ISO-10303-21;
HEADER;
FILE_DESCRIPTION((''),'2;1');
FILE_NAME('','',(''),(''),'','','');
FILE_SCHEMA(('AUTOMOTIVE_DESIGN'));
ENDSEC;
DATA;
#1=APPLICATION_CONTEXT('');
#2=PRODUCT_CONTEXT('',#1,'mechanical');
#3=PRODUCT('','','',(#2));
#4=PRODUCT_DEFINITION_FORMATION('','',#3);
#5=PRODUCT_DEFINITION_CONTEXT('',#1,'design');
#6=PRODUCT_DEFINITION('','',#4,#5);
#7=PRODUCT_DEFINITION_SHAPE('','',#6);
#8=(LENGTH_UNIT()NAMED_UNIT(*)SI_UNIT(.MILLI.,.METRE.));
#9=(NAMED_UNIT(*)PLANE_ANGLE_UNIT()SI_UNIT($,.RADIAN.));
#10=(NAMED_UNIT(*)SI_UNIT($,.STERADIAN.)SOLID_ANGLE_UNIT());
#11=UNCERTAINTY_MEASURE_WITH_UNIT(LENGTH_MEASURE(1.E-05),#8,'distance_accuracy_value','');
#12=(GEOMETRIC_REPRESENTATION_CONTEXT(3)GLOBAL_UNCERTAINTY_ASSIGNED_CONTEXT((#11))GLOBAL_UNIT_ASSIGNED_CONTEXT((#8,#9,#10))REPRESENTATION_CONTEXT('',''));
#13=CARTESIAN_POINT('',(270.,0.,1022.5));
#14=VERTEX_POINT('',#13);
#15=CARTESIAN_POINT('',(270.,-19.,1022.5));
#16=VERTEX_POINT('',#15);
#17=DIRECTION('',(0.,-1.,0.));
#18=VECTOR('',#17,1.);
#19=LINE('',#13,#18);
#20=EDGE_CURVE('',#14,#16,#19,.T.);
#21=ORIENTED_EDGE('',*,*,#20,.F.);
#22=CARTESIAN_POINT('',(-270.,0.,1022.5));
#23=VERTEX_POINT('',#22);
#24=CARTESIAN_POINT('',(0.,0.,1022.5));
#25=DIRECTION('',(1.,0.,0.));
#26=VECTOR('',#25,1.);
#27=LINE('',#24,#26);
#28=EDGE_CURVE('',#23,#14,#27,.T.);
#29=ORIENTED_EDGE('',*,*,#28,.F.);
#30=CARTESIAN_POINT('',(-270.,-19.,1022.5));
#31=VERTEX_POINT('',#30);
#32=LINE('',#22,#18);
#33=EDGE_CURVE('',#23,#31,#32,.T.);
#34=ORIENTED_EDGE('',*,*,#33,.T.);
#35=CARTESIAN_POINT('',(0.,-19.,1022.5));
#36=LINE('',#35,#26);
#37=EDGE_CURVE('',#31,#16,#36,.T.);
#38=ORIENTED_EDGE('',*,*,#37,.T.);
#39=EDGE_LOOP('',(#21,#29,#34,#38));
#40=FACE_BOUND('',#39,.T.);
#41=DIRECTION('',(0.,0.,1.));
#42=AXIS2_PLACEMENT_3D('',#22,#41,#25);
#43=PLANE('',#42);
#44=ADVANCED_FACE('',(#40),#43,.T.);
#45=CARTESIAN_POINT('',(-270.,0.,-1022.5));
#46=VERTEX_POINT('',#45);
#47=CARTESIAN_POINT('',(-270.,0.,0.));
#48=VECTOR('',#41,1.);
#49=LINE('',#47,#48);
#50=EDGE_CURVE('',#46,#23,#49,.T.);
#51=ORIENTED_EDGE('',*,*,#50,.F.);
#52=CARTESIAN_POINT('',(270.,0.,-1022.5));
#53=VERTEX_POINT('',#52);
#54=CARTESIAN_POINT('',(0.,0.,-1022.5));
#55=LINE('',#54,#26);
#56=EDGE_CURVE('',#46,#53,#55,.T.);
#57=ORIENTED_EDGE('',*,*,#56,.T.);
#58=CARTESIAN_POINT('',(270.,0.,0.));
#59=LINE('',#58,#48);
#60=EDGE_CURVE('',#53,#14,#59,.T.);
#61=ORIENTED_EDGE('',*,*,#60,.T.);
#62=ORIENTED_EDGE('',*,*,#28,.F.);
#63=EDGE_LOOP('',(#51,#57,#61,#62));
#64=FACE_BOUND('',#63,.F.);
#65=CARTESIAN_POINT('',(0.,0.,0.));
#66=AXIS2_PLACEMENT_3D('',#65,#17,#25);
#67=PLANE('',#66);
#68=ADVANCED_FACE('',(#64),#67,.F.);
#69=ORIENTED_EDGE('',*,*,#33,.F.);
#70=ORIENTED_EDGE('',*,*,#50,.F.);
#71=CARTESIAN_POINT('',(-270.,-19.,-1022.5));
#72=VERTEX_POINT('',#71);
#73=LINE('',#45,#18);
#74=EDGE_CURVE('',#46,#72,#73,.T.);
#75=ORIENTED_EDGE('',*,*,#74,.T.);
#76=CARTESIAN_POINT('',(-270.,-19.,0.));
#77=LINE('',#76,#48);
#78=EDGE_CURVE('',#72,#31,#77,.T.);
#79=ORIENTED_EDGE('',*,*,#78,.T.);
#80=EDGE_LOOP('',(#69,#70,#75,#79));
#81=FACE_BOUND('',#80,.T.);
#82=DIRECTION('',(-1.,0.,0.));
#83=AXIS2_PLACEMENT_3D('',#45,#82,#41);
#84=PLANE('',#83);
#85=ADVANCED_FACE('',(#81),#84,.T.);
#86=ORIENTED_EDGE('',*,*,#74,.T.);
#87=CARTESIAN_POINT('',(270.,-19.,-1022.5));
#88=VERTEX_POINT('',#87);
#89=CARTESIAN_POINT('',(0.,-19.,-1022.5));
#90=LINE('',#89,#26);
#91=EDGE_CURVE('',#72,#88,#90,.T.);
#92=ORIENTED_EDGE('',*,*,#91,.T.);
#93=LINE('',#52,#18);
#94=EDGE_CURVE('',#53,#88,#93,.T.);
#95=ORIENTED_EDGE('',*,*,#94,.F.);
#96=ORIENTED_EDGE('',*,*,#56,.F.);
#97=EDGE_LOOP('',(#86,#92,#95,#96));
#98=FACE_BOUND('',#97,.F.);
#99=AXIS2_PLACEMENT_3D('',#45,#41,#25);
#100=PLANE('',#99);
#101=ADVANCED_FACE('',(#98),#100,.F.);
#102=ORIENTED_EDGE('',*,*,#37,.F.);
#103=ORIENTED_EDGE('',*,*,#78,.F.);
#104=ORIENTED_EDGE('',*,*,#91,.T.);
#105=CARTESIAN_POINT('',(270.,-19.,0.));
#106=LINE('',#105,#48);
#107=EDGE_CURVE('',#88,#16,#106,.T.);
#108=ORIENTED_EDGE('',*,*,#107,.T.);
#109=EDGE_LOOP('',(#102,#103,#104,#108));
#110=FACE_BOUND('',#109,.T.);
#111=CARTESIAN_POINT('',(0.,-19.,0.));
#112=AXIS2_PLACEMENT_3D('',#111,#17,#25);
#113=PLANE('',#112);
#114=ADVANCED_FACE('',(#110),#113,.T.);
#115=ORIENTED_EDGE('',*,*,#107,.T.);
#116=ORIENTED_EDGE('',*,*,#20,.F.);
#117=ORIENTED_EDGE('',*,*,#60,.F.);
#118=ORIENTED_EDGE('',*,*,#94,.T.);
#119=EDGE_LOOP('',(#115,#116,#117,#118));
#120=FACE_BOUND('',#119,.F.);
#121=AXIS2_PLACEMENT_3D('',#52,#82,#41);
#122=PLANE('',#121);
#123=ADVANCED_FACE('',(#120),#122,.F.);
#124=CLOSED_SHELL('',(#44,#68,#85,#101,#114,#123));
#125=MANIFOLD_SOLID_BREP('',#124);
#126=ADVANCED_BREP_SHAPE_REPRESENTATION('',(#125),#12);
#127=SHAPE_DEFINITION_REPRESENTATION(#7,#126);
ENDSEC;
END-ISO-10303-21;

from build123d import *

# Parameters (mm, degrees)
SKETCH004_W  = 540
SKETCH004_H  = 2045
PAD004_DEPTH = 19


with BuildPart() as part:
    # Sketch004 → Pad004 (new body)
    with BuildSketch(Plane.XZ):
        Rectangle(SKETCH004_W, SKETCH004_H)
    extrude(amount=PAD004_DEPTH)


solid = part.part
